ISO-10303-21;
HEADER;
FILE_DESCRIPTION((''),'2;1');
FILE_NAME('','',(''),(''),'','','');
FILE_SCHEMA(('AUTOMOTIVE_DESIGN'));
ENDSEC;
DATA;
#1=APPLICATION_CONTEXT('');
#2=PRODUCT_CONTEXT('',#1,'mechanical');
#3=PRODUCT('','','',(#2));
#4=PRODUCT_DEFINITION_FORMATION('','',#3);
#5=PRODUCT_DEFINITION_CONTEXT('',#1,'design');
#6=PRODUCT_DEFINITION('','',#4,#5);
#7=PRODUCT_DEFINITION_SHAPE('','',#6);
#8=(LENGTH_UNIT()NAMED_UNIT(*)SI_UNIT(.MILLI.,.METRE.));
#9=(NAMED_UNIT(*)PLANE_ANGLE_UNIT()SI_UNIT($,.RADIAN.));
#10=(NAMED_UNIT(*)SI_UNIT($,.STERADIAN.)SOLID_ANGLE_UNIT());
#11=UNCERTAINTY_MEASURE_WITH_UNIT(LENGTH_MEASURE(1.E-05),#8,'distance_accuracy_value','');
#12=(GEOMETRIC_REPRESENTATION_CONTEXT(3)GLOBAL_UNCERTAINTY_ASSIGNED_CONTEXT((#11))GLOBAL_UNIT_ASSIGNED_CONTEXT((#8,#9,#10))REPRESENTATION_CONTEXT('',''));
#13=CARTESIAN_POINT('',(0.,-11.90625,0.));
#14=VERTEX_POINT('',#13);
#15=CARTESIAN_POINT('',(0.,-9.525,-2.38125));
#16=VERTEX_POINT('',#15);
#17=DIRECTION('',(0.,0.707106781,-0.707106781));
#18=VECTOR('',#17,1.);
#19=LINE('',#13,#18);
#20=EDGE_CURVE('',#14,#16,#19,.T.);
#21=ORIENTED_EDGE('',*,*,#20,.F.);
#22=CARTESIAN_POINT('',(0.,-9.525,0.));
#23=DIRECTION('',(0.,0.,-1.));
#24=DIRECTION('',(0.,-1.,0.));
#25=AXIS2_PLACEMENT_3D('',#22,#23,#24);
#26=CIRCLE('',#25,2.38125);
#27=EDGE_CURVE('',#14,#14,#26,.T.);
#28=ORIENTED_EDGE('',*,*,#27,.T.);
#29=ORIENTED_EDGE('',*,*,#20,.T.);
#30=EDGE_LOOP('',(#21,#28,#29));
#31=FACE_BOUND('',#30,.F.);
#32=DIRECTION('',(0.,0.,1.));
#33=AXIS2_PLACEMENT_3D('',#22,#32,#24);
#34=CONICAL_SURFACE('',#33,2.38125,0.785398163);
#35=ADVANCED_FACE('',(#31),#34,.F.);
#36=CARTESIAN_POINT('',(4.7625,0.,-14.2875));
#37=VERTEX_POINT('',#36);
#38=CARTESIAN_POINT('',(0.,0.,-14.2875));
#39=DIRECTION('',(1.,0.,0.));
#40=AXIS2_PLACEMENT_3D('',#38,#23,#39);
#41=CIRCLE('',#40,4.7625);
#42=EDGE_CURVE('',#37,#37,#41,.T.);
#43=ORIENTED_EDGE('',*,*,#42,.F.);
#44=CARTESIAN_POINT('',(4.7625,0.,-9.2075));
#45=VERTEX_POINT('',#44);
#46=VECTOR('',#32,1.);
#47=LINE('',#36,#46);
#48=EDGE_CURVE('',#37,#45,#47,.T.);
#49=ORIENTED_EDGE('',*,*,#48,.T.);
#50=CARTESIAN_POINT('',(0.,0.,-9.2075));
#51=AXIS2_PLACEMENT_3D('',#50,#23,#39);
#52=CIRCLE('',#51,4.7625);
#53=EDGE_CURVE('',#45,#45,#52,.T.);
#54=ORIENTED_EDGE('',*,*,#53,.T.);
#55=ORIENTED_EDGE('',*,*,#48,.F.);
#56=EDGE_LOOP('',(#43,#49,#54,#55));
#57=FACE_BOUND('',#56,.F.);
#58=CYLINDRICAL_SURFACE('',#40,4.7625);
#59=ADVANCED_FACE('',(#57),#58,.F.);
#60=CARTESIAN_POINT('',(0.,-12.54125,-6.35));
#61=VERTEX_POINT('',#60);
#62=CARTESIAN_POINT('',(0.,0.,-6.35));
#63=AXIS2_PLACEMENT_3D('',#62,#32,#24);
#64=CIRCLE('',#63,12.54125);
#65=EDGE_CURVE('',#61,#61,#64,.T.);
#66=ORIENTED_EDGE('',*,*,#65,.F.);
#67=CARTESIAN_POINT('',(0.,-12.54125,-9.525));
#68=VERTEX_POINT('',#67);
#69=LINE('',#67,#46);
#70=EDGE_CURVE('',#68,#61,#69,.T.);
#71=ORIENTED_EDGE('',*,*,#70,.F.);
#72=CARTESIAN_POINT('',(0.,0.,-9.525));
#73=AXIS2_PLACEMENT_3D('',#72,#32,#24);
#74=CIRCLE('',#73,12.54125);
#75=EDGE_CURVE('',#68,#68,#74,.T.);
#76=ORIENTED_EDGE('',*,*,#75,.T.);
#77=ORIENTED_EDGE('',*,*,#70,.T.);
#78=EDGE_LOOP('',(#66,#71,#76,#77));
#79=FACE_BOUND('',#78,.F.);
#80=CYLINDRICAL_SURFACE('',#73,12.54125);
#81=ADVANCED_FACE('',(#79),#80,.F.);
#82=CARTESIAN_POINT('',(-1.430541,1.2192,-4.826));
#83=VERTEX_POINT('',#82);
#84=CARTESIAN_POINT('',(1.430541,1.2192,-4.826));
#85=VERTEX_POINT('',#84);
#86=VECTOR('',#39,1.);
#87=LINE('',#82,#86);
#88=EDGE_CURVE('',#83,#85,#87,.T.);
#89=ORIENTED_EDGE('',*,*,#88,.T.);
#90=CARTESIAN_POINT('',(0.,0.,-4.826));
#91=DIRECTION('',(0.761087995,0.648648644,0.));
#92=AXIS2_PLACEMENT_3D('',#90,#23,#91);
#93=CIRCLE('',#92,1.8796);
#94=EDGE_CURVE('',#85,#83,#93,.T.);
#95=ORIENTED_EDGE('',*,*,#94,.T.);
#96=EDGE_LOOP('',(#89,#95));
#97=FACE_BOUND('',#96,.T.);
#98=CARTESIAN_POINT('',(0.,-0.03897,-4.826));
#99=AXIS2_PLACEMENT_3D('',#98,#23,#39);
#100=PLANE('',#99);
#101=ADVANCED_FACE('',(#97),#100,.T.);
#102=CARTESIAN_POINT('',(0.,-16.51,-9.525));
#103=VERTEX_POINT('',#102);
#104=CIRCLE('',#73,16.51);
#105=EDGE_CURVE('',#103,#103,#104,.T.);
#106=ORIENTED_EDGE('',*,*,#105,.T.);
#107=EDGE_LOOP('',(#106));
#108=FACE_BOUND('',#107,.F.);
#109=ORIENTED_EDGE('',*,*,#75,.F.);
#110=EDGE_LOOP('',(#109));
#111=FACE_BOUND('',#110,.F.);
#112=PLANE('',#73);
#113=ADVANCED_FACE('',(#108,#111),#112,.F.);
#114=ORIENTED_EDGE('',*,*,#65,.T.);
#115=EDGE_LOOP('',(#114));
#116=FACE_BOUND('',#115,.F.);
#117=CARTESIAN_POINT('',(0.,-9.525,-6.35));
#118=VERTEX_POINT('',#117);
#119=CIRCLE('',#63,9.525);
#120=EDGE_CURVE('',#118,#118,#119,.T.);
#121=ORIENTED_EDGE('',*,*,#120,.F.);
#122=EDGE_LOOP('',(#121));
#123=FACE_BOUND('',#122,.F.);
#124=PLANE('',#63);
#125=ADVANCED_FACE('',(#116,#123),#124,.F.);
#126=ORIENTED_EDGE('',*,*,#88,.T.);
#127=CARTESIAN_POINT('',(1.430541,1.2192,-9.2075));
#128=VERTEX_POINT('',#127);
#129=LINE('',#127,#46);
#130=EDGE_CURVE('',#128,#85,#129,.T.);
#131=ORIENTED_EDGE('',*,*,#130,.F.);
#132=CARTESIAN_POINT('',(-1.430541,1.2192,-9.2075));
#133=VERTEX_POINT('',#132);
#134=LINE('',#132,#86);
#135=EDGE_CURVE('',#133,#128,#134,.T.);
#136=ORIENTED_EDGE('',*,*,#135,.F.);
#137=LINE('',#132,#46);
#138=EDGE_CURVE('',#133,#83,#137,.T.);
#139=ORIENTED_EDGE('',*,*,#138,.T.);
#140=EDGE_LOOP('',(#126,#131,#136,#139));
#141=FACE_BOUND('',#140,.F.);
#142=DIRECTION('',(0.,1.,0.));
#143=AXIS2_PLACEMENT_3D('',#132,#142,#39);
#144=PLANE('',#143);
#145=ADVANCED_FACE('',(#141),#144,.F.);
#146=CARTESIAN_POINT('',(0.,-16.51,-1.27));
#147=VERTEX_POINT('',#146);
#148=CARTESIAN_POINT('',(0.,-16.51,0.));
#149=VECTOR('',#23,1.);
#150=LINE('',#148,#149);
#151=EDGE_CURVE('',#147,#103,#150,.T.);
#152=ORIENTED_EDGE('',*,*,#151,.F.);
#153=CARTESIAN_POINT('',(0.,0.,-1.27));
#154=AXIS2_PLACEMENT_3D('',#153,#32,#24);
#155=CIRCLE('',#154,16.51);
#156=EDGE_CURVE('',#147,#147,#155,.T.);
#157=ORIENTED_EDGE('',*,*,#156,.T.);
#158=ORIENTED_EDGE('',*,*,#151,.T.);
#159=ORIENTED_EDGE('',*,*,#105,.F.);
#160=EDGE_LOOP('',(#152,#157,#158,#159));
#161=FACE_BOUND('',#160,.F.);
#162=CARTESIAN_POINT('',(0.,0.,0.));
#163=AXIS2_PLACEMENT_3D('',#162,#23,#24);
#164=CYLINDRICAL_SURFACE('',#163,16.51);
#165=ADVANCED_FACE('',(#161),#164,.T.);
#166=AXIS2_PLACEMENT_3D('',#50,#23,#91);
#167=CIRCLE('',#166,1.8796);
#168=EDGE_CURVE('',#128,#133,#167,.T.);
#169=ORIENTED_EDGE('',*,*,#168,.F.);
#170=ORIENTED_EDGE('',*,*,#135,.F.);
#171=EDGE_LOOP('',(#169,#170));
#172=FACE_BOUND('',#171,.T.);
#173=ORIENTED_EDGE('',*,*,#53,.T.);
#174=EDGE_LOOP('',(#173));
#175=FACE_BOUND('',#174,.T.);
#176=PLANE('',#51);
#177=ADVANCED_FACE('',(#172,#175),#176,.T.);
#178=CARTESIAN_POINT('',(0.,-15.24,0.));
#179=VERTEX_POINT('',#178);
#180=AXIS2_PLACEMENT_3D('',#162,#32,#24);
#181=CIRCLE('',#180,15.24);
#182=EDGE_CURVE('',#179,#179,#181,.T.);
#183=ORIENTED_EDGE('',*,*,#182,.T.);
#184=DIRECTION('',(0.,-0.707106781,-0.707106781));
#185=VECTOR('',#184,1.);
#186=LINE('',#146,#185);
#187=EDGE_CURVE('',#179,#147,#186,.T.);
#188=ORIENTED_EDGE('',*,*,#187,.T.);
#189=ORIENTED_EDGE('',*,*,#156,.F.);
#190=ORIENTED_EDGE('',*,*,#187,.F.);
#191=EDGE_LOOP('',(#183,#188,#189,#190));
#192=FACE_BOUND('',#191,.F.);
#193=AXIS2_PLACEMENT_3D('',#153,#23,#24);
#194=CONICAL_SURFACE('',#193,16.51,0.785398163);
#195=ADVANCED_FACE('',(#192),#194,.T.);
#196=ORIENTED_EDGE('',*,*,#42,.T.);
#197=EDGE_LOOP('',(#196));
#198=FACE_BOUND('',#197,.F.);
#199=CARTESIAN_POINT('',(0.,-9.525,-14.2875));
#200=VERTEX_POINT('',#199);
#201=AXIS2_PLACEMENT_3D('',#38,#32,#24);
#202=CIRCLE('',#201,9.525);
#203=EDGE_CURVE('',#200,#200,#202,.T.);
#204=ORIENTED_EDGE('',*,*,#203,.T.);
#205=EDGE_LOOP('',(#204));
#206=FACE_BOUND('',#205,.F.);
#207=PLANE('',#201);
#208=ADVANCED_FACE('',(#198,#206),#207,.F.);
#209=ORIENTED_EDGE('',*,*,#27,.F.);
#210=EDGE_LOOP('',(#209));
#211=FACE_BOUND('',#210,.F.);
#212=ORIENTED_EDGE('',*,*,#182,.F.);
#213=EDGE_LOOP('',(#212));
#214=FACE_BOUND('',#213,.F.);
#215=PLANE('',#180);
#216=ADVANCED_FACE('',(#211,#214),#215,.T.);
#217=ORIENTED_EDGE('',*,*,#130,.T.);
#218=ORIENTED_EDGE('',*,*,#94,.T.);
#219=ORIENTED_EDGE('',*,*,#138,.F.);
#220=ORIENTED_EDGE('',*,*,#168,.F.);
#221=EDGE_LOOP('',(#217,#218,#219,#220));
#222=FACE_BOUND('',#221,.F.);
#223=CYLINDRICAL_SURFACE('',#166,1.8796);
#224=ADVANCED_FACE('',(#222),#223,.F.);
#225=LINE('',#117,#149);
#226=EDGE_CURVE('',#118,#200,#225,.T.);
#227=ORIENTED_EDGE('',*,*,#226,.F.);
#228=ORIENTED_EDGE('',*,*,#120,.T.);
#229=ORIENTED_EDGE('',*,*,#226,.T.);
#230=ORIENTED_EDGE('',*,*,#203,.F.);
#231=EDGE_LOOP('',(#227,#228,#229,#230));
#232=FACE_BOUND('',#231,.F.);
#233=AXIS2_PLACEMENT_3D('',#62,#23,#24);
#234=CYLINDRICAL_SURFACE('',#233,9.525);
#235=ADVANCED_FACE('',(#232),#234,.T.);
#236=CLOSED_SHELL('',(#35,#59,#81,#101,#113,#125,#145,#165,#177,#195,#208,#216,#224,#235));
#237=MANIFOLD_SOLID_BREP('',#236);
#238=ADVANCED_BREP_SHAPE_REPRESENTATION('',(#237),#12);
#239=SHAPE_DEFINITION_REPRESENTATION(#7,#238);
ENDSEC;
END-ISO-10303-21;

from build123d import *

# Parameters (mm, degrees)
F3_DEPTH  = 9.4615
F6_SIZE   = 1.27
F7_R      = 4.7625
F8_DEPTH  = 5.08
F10_DEPTH = 4.3815


with BuildPart() as f1:
    # F0 (on Right) → F1 (revolve)
    with BuildSketch(Plane.YZ):
        Polygon((0, -14.2875), (0, 0), (-16.51, 0), (-16.51, -9.525), (-12.54125, -9.525), (-12.54125, -6.35), (-9.525, -6.35), (-9.525, -14.2875), align=None)
    revolve(axis=Axis((0, 0, -7.14375), (0, 0, 1)))

    # F2 (on face) → F3 (cut)
    with BuildSketch(Plane(origin=(0, 0, -14.2875), x_dir=(1, 0, 0), z_dir=(0, 0, -1))):
        with BuildLine():
            Line((-1.39492, -1.143), (1.39492, -1.143))
            ThreePointArc((1.39492, -1.143), (0, 1.8034), (-1.39492, -1.143))
        make_face()
    extrude(amount=-F3_DEPTH, mode=Mode.SUBTRACT)

    # F4 (on Right) → F5 (revolve, cut)
    with BuildSketch(Plane.YZ):
        Polygon((-9.525, 0), (-11.90625, 0), (-9.525, -2.38125), align=None)
    revolve(axis=Axis((0, -9.525, -1.190625), (0, 0, -1)), mode=Mode.SUBTRACT)

    # F6
    f6_edges = [f1.edges().sort_by_distance(p)[0] for p in [
        (0, 16.51, 0),
    ]]
    chamfer(f6_edges, length=F6_SIZE)

    # F7 (on face) → F8 (cut)
    with BuildSketch(Plane(origin=(0, 0, -14.2875), x_dir=(1, 0, 0), z_dir=(0, 0, -1))):
        Circle(F7_R)
    extrude(amount=-F8_DEPTH, mode=Mode.SUBTRACT)

    # F9 (on face) → F10 (cut, through all)
    with BuildSketch(Plane(origin=(0, 0, -9.2075), x_dir=(1, 0, 0), z_dir=(0, 0, -1))):
        with BuildLine():
            Line((-1.430541, -1.2192), (1.430541, -1.2192))
            ThreePointArc((1.430541, -1.2192), (0, 1.8796), (-1.430541, -1.2192))
        make_face()
    extrude(amount=-F10_DEPTH, mode=Mode.SUBTRACT)


solid = f1.part
